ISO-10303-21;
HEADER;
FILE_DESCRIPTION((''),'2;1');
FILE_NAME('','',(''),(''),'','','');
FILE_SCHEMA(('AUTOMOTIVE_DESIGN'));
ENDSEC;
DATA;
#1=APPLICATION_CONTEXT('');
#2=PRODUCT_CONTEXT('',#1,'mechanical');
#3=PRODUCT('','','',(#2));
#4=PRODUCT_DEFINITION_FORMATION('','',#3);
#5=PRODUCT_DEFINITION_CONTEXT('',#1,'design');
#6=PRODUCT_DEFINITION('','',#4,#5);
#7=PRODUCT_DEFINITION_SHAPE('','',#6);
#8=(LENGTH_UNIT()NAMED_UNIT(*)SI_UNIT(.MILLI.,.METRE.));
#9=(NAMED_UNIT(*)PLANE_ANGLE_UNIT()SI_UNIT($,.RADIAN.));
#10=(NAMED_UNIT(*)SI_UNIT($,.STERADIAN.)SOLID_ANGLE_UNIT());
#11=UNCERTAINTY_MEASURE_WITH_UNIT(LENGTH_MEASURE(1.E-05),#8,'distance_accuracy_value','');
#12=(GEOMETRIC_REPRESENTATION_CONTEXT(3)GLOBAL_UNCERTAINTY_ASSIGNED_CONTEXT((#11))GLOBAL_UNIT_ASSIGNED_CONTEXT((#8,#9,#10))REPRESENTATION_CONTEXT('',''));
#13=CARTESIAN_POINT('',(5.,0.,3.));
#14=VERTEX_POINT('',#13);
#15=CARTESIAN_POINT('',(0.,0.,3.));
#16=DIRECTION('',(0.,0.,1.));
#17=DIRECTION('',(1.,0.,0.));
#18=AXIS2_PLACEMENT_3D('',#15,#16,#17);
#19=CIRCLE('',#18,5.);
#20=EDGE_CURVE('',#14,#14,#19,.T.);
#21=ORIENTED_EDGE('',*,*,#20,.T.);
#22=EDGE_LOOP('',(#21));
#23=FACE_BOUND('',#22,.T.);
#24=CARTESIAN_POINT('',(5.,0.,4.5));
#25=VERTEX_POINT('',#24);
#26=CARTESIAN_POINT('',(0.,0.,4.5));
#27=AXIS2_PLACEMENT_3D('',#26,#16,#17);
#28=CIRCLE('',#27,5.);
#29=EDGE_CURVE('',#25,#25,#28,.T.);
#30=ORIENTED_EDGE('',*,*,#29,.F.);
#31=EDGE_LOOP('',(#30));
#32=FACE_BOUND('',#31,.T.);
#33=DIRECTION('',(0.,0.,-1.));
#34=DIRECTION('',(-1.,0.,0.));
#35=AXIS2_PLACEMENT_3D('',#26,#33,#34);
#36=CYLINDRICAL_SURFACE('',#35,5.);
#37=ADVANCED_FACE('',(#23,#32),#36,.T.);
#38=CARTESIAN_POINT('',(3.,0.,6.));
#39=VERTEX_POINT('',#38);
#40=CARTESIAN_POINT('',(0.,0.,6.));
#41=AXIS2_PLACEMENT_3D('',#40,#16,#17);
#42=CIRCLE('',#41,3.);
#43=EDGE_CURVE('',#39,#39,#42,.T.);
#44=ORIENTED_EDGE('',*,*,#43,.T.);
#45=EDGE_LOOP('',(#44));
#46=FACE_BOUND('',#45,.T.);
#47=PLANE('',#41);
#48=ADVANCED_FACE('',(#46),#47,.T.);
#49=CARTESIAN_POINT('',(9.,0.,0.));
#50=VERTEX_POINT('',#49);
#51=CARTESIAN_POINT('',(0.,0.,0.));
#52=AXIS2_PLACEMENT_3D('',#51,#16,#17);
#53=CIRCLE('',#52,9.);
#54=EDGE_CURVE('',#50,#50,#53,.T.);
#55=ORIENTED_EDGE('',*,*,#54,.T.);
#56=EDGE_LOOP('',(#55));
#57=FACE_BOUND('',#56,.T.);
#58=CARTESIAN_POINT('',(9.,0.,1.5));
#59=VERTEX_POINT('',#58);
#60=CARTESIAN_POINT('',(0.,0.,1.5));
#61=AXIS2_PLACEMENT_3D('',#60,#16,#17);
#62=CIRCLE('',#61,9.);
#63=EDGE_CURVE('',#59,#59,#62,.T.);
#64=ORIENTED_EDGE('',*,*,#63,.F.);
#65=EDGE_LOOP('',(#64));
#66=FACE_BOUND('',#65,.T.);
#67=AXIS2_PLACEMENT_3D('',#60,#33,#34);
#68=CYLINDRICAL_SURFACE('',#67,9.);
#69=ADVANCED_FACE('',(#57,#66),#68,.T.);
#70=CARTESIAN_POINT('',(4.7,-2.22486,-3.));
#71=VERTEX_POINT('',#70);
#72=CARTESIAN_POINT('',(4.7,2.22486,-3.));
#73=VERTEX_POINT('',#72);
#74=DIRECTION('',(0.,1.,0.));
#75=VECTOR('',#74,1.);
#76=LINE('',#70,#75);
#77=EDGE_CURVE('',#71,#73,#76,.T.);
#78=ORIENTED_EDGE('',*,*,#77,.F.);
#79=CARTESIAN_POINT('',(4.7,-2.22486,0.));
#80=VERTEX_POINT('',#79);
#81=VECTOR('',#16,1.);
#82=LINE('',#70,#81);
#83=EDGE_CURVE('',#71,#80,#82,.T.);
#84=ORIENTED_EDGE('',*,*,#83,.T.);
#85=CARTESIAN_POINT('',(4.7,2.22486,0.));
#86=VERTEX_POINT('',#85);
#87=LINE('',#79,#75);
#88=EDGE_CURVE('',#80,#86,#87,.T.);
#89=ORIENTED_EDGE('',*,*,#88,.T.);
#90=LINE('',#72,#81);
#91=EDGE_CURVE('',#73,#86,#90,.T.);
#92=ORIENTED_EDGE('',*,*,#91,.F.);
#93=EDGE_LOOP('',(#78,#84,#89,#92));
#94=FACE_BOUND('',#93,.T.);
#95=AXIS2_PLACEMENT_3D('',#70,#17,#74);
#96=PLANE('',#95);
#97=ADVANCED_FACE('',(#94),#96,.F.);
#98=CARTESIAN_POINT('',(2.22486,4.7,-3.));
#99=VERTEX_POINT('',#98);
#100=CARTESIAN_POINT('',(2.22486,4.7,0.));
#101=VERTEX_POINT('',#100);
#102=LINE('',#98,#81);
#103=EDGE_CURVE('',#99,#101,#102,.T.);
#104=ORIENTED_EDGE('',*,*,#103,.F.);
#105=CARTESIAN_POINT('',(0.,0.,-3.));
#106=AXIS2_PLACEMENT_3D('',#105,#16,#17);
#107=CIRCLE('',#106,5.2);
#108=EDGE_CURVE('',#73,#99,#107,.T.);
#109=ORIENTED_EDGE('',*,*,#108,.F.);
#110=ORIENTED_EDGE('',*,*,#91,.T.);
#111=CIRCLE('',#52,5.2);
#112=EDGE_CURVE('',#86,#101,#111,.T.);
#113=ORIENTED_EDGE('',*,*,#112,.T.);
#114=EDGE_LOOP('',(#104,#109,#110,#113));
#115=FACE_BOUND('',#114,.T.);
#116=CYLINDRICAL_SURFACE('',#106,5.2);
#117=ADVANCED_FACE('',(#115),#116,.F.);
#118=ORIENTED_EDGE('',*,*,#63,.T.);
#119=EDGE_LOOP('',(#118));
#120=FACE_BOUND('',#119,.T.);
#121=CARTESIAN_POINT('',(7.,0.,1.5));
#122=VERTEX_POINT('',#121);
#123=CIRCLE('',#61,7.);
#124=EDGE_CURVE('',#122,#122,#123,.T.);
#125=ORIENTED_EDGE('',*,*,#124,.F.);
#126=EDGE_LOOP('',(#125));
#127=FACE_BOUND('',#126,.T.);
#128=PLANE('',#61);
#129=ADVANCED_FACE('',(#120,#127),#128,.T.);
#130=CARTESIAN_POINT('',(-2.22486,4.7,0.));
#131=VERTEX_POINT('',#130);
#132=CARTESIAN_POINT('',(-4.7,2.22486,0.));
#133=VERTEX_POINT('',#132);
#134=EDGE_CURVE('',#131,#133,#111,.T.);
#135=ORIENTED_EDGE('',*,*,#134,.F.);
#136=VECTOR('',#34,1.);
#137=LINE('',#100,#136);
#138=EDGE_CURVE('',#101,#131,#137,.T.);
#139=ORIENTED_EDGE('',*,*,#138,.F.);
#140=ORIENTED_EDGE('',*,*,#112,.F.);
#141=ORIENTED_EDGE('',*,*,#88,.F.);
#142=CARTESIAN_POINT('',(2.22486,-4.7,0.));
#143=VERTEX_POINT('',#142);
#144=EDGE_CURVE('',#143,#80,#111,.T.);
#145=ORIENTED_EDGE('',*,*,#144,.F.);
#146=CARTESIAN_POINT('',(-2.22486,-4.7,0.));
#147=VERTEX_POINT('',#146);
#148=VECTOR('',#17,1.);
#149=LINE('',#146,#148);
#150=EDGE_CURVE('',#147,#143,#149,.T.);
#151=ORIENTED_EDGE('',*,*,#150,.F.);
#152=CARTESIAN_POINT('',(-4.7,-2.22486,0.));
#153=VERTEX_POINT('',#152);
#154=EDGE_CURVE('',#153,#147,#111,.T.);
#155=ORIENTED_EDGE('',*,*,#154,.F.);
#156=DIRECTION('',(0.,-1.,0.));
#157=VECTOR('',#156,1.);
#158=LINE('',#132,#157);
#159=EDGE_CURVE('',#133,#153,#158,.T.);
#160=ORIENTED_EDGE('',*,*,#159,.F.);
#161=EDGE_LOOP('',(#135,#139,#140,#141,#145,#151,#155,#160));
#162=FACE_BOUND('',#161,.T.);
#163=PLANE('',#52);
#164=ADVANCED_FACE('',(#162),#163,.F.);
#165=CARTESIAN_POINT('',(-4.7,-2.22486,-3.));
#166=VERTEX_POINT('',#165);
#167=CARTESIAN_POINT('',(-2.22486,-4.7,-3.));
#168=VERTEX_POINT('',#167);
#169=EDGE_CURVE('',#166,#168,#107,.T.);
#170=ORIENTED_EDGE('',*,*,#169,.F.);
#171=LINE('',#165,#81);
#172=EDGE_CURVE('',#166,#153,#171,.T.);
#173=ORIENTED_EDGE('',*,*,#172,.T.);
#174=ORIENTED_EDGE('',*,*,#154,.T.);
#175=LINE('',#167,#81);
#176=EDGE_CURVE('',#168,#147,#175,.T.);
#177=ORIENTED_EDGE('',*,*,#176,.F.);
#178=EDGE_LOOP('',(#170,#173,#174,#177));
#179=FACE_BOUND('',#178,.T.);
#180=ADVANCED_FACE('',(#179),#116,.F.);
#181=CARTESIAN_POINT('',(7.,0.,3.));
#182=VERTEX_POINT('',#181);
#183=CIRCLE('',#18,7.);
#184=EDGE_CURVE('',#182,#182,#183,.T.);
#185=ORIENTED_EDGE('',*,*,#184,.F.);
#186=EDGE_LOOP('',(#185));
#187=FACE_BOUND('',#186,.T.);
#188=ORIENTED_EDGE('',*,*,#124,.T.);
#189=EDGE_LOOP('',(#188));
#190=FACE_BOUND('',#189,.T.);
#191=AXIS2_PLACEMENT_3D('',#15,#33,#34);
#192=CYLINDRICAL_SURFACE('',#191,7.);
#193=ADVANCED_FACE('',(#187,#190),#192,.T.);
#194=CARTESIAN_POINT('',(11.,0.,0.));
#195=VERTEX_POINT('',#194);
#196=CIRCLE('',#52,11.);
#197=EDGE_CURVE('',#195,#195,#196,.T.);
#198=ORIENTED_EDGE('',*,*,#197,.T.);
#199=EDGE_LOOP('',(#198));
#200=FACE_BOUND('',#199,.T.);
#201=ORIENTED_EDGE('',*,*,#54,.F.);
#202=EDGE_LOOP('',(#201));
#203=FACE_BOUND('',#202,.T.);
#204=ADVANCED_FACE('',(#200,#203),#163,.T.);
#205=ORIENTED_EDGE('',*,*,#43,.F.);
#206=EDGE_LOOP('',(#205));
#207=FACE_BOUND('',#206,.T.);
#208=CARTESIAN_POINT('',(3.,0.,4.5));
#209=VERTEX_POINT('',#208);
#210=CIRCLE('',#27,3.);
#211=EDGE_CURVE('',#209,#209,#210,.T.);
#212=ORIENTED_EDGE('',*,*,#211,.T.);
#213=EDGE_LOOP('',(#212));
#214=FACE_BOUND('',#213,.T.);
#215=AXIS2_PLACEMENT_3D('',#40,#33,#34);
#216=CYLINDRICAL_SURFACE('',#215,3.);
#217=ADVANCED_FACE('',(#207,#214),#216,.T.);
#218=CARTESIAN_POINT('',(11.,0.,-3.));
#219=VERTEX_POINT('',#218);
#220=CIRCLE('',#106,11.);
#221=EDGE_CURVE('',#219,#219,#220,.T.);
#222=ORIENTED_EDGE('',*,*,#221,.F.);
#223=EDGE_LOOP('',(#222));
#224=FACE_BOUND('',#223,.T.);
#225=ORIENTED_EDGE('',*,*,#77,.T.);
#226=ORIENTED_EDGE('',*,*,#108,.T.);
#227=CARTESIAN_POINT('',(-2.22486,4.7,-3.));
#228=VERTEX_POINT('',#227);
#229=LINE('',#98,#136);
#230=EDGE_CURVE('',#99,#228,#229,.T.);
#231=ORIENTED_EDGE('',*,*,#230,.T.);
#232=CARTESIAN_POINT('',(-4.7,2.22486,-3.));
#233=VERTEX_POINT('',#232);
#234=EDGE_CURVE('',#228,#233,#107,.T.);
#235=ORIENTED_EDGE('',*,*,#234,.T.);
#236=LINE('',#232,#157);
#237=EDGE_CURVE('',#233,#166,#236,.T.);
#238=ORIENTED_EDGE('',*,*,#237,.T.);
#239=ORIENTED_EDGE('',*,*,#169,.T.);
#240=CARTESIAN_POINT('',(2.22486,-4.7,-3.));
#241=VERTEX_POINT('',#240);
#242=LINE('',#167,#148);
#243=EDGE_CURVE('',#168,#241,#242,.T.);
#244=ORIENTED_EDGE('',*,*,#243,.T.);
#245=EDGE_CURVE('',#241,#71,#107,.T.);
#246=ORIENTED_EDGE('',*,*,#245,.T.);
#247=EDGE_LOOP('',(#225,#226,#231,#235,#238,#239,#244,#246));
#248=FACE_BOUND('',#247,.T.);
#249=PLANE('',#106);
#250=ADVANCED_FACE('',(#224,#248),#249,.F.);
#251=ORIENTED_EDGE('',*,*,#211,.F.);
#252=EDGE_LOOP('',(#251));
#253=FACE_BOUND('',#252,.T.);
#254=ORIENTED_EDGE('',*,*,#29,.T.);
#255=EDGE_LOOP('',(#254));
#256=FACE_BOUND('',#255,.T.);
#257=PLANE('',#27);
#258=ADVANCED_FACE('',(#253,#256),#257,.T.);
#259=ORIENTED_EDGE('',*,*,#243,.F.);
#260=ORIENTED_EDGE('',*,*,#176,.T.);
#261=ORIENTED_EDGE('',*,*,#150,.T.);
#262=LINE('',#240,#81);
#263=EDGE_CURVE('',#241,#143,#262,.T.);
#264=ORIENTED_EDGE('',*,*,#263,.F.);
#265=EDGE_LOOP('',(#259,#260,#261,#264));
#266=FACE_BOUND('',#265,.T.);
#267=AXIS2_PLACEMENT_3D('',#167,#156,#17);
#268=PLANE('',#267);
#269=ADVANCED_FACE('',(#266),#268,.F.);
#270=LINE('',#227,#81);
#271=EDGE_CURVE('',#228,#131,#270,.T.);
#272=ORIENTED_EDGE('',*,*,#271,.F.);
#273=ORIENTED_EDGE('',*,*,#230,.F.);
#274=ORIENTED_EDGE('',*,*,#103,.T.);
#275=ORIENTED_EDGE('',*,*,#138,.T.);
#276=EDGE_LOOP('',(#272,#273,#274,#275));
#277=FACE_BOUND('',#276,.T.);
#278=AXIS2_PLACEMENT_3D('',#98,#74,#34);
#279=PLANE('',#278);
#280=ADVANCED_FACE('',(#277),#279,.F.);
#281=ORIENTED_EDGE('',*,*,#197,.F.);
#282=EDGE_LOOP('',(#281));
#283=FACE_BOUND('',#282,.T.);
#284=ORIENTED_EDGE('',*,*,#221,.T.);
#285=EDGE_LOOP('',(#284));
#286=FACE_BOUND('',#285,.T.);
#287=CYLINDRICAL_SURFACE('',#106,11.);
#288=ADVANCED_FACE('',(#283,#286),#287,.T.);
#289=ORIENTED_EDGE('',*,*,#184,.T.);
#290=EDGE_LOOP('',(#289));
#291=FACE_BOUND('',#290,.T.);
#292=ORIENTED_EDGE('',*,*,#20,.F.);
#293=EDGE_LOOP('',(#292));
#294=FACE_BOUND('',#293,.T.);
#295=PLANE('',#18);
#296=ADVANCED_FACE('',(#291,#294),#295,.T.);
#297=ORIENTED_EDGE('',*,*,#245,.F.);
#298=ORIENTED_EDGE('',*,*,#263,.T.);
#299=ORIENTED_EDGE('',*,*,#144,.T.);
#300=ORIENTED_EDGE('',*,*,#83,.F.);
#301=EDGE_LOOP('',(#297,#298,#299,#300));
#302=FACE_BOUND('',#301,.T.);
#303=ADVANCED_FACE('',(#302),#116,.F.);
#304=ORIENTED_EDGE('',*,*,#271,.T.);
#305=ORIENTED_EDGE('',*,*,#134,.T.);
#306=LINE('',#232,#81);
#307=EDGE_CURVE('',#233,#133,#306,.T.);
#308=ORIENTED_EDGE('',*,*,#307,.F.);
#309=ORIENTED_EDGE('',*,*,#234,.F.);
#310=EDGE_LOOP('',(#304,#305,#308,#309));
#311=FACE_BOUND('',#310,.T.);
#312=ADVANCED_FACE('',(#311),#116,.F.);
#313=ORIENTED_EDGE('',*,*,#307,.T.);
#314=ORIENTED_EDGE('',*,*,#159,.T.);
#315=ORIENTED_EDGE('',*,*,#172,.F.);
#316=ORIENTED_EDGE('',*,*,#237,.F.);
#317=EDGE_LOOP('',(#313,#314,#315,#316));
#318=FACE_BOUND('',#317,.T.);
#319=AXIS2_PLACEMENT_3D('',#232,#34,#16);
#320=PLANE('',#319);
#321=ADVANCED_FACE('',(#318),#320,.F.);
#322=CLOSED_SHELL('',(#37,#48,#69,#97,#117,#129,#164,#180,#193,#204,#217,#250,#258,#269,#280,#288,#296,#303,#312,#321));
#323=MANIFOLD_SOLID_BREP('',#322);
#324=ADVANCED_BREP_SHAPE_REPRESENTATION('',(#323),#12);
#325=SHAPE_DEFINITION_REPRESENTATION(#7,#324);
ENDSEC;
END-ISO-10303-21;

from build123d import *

# Parameters (mm, degrees)
SKETCH1_R      = 11
EXTRUDE1_DEPTH = 3
SKETCH2_R      = 9
EXTRUDE2_DEPTH = 1.5
SKETCH3_R      = 7
EXTRUDE3_DEPTH = 1.5
SKETCH4_R      = 5
EXTRUDE4_DEPTH = 1.5
SKETCH5_R      = 3
EXTRUDE5_DEPTH = 1.5


with BuildPart() as part:
    # Sketch1 → Extrude1 (new body)
    with BuildSketch(Plane.XY):
        Circle(SKETCH1_R)
        with BuildLine():
            Line((2.224859546, 4.7), (-2.224859546, 4.7))
            ThreePointArc((-2.224859546, 4.7), (-3.676955262, 3.676955262), (-4.7, 2.224859546))
            Line((-4.7, 2.224859546), (-4.7, -2.224859546))
            ThreePointArc((-4.7, -2.224859546), (-3.676955262, -3.676955262), (-2.224859546, -4.7))
            Line((-2.224859546, -4.7), (2.224859546, -4.7))
            ThreePointArc((2.224859546, -4.7), (3.676955262, -3.676955262), (4.7, -2.224859546))
            Line((4.7, -2.224859546), (4.7, 2.224859546))
            ThreePointArc((4.7, 2.224859546), (3.676955262, 3.676955262), (2.224859546, 4.7))
        make_face(mode=Mode.SUBTRACT)
    extrude(amount=-EXTRUDE1_DEPTH)

    # Sketch2 → Extrude2 (add)
    with BuildSketch(Plane.XY):
        Circle(SKETCH2_R)
    extrude(amount=EXTRUDE2_DEPTH)

    # Sketch3 → Extrude3 (add)
    with BuildSketch(Plane.XY.offset(1.5)):
        Circle(SKETCH3_R)
    extrude(amount=EXTRUDE3_DEPTH)

    # Sketch4 → Extrude4 (add)
    with BuildSketch(Plane.XY.offset(3)):
        Circle(SKETCH4_R)
    extrude(amount=EXTRUDE4_DEPTH)

    # Sketch5 → Extrude5 (add)
    with BuildSketch(Plane.XY.offset(4.5)):
        Circle(SKETCH5_R)
    extrude(amount=EXTRUDE5_DEPTH)


solid = part.part
